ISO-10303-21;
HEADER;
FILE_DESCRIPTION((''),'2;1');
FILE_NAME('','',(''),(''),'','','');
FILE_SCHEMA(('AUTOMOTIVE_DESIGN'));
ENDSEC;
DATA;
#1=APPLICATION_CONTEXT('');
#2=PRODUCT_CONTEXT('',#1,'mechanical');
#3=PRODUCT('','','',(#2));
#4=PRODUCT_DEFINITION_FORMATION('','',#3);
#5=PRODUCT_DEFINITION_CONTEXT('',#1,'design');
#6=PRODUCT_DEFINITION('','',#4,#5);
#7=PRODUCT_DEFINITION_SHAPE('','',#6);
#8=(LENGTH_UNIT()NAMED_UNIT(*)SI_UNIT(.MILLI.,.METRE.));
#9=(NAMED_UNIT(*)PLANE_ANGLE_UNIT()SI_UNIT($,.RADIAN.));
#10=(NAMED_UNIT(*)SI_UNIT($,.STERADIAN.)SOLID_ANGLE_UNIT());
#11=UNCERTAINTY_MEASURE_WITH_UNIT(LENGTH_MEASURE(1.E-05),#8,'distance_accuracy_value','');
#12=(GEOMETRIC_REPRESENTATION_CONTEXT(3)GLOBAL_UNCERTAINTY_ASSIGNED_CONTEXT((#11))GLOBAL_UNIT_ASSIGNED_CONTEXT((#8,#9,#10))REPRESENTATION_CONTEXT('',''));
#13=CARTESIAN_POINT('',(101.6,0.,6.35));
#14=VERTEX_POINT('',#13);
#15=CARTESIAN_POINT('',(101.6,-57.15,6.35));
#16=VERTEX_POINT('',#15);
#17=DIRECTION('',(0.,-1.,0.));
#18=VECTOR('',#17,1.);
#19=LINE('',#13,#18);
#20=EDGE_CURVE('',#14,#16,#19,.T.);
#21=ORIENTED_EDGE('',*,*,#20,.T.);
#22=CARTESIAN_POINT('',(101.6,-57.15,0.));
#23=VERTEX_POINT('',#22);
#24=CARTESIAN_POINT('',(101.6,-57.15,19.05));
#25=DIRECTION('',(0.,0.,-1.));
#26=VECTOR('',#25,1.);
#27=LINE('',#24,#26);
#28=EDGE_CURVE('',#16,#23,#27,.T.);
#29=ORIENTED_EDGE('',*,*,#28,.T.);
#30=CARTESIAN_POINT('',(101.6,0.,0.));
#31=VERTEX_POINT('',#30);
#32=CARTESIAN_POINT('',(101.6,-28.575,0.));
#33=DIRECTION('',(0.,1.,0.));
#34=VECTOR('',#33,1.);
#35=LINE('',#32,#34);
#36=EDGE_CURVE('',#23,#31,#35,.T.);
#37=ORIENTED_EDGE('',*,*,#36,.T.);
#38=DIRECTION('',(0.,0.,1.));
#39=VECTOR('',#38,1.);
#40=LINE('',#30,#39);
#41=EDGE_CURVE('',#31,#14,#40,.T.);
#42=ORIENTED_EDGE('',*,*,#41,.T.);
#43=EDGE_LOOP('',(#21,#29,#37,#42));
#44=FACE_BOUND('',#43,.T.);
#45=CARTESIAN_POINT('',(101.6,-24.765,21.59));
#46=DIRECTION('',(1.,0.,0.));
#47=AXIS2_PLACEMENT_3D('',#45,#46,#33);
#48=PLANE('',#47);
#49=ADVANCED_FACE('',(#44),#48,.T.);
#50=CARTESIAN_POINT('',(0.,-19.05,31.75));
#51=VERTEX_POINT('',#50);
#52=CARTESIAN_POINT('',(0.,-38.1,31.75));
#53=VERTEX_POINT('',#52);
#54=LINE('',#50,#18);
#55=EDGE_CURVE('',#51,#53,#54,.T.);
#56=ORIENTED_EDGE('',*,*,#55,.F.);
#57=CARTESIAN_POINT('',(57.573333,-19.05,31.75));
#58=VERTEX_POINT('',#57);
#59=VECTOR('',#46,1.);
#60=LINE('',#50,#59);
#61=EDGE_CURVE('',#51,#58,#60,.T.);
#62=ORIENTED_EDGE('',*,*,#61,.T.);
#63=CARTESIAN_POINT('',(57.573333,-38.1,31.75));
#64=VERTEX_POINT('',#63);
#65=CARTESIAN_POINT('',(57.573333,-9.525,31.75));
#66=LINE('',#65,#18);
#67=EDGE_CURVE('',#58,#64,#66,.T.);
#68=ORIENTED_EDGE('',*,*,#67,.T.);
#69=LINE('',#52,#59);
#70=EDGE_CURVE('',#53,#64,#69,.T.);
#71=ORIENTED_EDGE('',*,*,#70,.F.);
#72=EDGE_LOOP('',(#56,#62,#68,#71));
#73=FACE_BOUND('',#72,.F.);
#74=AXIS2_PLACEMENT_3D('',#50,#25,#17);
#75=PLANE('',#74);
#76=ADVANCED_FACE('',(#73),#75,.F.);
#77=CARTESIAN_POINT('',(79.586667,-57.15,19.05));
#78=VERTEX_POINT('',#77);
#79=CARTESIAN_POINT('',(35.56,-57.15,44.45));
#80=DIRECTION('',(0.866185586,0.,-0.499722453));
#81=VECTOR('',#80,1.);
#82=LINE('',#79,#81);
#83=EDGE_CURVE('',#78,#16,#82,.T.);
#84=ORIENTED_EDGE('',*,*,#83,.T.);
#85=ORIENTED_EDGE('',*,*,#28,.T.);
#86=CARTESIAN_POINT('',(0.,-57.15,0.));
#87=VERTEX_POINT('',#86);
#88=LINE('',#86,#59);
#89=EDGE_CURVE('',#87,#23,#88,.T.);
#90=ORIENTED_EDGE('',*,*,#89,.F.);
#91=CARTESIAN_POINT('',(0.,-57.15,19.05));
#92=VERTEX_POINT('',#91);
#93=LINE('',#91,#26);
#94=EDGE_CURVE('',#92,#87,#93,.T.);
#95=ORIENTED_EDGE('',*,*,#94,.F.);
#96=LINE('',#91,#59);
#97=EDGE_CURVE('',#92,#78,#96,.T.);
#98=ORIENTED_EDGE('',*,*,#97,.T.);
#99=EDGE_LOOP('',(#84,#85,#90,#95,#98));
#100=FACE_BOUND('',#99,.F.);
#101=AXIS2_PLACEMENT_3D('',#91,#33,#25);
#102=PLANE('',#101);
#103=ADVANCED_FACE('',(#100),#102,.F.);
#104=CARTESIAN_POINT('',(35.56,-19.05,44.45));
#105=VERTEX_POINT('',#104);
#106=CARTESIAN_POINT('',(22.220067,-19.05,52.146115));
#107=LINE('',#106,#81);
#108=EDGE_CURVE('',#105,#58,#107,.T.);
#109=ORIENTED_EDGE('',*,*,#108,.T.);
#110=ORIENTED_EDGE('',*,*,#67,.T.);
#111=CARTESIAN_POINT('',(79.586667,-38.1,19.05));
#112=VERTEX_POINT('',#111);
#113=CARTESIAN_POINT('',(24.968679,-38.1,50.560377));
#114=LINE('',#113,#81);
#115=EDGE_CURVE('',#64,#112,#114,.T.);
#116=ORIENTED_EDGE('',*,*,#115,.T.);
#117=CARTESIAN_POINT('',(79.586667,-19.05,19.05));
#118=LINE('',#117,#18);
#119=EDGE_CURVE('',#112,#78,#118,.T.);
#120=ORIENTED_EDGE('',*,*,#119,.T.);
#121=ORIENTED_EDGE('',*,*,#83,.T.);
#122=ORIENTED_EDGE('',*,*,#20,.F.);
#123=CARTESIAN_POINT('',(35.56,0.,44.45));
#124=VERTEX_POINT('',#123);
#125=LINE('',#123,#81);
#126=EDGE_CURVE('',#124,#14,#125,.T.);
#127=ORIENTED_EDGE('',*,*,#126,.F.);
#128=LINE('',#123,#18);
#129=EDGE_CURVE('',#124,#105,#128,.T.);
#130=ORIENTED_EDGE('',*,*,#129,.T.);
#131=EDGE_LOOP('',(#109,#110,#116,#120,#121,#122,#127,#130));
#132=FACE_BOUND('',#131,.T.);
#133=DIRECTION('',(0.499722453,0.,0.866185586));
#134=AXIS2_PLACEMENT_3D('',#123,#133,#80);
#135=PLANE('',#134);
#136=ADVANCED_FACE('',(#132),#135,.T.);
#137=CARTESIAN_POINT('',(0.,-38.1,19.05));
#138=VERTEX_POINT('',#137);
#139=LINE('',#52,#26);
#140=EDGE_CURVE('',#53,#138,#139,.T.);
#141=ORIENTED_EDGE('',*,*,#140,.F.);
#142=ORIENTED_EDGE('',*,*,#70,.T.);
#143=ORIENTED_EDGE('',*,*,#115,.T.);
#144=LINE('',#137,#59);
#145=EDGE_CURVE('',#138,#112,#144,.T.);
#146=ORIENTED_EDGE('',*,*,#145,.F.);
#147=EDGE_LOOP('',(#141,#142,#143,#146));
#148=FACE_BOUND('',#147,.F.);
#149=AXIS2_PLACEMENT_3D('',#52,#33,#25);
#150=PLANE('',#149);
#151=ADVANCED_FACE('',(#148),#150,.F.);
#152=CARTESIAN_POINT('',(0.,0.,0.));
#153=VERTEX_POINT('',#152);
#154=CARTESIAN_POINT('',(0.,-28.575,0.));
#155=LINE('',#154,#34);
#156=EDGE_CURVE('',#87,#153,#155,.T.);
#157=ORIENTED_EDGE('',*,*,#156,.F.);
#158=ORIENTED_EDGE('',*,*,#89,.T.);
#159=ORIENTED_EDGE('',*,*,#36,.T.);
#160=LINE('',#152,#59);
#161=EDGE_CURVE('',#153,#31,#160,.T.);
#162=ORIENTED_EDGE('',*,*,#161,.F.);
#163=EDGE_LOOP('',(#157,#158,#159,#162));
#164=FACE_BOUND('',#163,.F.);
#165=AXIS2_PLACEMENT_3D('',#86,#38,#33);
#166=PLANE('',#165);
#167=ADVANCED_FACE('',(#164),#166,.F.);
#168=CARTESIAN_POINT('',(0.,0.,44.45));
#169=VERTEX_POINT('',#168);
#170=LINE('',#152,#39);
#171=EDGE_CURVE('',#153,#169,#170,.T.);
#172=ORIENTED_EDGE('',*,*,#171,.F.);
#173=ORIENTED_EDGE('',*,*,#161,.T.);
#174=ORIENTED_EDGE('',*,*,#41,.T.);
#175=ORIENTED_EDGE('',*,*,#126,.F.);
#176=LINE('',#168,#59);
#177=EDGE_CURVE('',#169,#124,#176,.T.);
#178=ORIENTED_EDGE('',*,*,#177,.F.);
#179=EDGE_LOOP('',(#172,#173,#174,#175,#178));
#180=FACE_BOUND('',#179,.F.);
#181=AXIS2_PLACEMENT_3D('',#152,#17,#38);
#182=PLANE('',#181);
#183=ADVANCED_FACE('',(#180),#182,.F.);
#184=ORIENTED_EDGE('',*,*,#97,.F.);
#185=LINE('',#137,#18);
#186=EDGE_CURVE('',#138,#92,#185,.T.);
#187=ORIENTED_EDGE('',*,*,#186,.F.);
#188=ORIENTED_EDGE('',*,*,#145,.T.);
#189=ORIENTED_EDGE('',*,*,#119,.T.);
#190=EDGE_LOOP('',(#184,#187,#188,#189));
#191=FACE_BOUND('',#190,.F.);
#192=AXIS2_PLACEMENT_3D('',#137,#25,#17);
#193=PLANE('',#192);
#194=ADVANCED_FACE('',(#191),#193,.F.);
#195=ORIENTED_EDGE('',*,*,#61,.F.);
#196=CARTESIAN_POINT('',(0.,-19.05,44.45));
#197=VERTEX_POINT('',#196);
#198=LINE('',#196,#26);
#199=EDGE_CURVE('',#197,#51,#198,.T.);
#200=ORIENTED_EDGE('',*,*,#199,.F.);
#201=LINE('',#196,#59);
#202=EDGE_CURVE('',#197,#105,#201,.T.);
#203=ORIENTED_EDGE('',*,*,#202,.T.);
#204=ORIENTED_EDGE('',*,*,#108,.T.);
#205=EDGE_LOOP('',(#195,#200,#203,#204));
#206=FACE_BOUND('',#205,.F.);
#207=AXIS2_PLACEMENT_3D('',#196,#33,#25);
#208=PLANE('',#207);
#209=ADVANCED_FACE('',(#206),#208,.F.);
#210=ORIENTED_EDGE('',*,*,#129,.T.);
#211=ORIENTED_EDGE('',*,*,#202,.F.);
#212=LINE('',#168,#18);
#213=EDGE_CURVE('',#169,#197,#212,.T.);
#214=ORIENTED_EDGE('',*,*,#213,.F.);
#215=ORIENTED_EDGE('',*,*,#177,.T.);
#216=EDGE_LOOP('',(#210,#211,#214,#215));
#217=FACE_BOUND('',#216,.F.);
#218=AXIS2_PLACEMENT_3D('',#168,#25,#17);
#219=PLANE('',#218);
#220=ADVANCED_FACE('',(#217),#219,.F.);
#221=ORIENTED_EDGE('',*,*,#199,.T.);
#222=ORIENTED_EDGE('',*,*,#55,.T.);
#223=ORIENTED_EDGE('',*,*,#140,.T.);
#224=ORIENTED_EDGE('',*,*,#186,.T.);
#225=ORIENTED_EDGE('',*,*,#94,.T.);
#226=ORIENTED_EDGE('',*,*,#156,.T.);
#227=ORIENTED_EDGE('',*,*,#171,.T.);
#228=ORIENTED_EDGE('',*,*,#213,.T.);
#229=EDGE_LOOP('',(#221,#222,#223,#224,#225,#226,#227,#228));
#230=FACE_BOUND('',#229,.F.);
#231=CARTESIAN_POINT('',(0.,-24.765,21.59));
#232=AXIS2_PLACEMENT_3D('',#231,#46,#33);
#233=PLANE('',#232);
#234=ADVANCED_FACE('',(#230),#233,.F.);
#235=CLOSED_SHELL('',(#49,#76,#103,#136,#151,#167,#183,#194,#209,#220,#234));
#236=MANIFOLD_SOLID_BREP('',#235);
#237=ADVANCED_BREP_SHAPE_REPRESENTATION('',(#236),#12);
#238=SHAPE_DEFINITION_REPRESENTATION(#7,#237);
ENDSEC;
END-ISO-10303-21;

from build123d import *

# Parameters (mm, degrees)
F0_W     = 57.15
F0_H     = 6.35
F1_DEPTH = 101.6
F3_DEPTH = 57.15


with BuildPart() as f1:
    # F0 (on Right) → F1 (new body)
    with BuildSketch(Plane.YZ):
        Polygon((0, 6.35), (0, 44.45), (-19.05, 44.45), (-19.05, 31.75), (-38.1, 31.75), (-38.1, 19.05), (-57.15, 19.05), (-57.15, 6.35), align=None)
        with Locations((-28.575, 3.175)):
            Rectangle(F0_W, F0_H)
    extrude(amount=F1_DEPTH)

    # F2 (on Front) → F3 (cut)
    with BuildSketch(Plane.XZ):
        Polygon((101.6, 44.45), (35.56, 44.45), (101.6, 6.35), align=None)
    extrude(amount=F3_DEPTH, mode=Mode.SUBTRACT)


solid = f1.part
